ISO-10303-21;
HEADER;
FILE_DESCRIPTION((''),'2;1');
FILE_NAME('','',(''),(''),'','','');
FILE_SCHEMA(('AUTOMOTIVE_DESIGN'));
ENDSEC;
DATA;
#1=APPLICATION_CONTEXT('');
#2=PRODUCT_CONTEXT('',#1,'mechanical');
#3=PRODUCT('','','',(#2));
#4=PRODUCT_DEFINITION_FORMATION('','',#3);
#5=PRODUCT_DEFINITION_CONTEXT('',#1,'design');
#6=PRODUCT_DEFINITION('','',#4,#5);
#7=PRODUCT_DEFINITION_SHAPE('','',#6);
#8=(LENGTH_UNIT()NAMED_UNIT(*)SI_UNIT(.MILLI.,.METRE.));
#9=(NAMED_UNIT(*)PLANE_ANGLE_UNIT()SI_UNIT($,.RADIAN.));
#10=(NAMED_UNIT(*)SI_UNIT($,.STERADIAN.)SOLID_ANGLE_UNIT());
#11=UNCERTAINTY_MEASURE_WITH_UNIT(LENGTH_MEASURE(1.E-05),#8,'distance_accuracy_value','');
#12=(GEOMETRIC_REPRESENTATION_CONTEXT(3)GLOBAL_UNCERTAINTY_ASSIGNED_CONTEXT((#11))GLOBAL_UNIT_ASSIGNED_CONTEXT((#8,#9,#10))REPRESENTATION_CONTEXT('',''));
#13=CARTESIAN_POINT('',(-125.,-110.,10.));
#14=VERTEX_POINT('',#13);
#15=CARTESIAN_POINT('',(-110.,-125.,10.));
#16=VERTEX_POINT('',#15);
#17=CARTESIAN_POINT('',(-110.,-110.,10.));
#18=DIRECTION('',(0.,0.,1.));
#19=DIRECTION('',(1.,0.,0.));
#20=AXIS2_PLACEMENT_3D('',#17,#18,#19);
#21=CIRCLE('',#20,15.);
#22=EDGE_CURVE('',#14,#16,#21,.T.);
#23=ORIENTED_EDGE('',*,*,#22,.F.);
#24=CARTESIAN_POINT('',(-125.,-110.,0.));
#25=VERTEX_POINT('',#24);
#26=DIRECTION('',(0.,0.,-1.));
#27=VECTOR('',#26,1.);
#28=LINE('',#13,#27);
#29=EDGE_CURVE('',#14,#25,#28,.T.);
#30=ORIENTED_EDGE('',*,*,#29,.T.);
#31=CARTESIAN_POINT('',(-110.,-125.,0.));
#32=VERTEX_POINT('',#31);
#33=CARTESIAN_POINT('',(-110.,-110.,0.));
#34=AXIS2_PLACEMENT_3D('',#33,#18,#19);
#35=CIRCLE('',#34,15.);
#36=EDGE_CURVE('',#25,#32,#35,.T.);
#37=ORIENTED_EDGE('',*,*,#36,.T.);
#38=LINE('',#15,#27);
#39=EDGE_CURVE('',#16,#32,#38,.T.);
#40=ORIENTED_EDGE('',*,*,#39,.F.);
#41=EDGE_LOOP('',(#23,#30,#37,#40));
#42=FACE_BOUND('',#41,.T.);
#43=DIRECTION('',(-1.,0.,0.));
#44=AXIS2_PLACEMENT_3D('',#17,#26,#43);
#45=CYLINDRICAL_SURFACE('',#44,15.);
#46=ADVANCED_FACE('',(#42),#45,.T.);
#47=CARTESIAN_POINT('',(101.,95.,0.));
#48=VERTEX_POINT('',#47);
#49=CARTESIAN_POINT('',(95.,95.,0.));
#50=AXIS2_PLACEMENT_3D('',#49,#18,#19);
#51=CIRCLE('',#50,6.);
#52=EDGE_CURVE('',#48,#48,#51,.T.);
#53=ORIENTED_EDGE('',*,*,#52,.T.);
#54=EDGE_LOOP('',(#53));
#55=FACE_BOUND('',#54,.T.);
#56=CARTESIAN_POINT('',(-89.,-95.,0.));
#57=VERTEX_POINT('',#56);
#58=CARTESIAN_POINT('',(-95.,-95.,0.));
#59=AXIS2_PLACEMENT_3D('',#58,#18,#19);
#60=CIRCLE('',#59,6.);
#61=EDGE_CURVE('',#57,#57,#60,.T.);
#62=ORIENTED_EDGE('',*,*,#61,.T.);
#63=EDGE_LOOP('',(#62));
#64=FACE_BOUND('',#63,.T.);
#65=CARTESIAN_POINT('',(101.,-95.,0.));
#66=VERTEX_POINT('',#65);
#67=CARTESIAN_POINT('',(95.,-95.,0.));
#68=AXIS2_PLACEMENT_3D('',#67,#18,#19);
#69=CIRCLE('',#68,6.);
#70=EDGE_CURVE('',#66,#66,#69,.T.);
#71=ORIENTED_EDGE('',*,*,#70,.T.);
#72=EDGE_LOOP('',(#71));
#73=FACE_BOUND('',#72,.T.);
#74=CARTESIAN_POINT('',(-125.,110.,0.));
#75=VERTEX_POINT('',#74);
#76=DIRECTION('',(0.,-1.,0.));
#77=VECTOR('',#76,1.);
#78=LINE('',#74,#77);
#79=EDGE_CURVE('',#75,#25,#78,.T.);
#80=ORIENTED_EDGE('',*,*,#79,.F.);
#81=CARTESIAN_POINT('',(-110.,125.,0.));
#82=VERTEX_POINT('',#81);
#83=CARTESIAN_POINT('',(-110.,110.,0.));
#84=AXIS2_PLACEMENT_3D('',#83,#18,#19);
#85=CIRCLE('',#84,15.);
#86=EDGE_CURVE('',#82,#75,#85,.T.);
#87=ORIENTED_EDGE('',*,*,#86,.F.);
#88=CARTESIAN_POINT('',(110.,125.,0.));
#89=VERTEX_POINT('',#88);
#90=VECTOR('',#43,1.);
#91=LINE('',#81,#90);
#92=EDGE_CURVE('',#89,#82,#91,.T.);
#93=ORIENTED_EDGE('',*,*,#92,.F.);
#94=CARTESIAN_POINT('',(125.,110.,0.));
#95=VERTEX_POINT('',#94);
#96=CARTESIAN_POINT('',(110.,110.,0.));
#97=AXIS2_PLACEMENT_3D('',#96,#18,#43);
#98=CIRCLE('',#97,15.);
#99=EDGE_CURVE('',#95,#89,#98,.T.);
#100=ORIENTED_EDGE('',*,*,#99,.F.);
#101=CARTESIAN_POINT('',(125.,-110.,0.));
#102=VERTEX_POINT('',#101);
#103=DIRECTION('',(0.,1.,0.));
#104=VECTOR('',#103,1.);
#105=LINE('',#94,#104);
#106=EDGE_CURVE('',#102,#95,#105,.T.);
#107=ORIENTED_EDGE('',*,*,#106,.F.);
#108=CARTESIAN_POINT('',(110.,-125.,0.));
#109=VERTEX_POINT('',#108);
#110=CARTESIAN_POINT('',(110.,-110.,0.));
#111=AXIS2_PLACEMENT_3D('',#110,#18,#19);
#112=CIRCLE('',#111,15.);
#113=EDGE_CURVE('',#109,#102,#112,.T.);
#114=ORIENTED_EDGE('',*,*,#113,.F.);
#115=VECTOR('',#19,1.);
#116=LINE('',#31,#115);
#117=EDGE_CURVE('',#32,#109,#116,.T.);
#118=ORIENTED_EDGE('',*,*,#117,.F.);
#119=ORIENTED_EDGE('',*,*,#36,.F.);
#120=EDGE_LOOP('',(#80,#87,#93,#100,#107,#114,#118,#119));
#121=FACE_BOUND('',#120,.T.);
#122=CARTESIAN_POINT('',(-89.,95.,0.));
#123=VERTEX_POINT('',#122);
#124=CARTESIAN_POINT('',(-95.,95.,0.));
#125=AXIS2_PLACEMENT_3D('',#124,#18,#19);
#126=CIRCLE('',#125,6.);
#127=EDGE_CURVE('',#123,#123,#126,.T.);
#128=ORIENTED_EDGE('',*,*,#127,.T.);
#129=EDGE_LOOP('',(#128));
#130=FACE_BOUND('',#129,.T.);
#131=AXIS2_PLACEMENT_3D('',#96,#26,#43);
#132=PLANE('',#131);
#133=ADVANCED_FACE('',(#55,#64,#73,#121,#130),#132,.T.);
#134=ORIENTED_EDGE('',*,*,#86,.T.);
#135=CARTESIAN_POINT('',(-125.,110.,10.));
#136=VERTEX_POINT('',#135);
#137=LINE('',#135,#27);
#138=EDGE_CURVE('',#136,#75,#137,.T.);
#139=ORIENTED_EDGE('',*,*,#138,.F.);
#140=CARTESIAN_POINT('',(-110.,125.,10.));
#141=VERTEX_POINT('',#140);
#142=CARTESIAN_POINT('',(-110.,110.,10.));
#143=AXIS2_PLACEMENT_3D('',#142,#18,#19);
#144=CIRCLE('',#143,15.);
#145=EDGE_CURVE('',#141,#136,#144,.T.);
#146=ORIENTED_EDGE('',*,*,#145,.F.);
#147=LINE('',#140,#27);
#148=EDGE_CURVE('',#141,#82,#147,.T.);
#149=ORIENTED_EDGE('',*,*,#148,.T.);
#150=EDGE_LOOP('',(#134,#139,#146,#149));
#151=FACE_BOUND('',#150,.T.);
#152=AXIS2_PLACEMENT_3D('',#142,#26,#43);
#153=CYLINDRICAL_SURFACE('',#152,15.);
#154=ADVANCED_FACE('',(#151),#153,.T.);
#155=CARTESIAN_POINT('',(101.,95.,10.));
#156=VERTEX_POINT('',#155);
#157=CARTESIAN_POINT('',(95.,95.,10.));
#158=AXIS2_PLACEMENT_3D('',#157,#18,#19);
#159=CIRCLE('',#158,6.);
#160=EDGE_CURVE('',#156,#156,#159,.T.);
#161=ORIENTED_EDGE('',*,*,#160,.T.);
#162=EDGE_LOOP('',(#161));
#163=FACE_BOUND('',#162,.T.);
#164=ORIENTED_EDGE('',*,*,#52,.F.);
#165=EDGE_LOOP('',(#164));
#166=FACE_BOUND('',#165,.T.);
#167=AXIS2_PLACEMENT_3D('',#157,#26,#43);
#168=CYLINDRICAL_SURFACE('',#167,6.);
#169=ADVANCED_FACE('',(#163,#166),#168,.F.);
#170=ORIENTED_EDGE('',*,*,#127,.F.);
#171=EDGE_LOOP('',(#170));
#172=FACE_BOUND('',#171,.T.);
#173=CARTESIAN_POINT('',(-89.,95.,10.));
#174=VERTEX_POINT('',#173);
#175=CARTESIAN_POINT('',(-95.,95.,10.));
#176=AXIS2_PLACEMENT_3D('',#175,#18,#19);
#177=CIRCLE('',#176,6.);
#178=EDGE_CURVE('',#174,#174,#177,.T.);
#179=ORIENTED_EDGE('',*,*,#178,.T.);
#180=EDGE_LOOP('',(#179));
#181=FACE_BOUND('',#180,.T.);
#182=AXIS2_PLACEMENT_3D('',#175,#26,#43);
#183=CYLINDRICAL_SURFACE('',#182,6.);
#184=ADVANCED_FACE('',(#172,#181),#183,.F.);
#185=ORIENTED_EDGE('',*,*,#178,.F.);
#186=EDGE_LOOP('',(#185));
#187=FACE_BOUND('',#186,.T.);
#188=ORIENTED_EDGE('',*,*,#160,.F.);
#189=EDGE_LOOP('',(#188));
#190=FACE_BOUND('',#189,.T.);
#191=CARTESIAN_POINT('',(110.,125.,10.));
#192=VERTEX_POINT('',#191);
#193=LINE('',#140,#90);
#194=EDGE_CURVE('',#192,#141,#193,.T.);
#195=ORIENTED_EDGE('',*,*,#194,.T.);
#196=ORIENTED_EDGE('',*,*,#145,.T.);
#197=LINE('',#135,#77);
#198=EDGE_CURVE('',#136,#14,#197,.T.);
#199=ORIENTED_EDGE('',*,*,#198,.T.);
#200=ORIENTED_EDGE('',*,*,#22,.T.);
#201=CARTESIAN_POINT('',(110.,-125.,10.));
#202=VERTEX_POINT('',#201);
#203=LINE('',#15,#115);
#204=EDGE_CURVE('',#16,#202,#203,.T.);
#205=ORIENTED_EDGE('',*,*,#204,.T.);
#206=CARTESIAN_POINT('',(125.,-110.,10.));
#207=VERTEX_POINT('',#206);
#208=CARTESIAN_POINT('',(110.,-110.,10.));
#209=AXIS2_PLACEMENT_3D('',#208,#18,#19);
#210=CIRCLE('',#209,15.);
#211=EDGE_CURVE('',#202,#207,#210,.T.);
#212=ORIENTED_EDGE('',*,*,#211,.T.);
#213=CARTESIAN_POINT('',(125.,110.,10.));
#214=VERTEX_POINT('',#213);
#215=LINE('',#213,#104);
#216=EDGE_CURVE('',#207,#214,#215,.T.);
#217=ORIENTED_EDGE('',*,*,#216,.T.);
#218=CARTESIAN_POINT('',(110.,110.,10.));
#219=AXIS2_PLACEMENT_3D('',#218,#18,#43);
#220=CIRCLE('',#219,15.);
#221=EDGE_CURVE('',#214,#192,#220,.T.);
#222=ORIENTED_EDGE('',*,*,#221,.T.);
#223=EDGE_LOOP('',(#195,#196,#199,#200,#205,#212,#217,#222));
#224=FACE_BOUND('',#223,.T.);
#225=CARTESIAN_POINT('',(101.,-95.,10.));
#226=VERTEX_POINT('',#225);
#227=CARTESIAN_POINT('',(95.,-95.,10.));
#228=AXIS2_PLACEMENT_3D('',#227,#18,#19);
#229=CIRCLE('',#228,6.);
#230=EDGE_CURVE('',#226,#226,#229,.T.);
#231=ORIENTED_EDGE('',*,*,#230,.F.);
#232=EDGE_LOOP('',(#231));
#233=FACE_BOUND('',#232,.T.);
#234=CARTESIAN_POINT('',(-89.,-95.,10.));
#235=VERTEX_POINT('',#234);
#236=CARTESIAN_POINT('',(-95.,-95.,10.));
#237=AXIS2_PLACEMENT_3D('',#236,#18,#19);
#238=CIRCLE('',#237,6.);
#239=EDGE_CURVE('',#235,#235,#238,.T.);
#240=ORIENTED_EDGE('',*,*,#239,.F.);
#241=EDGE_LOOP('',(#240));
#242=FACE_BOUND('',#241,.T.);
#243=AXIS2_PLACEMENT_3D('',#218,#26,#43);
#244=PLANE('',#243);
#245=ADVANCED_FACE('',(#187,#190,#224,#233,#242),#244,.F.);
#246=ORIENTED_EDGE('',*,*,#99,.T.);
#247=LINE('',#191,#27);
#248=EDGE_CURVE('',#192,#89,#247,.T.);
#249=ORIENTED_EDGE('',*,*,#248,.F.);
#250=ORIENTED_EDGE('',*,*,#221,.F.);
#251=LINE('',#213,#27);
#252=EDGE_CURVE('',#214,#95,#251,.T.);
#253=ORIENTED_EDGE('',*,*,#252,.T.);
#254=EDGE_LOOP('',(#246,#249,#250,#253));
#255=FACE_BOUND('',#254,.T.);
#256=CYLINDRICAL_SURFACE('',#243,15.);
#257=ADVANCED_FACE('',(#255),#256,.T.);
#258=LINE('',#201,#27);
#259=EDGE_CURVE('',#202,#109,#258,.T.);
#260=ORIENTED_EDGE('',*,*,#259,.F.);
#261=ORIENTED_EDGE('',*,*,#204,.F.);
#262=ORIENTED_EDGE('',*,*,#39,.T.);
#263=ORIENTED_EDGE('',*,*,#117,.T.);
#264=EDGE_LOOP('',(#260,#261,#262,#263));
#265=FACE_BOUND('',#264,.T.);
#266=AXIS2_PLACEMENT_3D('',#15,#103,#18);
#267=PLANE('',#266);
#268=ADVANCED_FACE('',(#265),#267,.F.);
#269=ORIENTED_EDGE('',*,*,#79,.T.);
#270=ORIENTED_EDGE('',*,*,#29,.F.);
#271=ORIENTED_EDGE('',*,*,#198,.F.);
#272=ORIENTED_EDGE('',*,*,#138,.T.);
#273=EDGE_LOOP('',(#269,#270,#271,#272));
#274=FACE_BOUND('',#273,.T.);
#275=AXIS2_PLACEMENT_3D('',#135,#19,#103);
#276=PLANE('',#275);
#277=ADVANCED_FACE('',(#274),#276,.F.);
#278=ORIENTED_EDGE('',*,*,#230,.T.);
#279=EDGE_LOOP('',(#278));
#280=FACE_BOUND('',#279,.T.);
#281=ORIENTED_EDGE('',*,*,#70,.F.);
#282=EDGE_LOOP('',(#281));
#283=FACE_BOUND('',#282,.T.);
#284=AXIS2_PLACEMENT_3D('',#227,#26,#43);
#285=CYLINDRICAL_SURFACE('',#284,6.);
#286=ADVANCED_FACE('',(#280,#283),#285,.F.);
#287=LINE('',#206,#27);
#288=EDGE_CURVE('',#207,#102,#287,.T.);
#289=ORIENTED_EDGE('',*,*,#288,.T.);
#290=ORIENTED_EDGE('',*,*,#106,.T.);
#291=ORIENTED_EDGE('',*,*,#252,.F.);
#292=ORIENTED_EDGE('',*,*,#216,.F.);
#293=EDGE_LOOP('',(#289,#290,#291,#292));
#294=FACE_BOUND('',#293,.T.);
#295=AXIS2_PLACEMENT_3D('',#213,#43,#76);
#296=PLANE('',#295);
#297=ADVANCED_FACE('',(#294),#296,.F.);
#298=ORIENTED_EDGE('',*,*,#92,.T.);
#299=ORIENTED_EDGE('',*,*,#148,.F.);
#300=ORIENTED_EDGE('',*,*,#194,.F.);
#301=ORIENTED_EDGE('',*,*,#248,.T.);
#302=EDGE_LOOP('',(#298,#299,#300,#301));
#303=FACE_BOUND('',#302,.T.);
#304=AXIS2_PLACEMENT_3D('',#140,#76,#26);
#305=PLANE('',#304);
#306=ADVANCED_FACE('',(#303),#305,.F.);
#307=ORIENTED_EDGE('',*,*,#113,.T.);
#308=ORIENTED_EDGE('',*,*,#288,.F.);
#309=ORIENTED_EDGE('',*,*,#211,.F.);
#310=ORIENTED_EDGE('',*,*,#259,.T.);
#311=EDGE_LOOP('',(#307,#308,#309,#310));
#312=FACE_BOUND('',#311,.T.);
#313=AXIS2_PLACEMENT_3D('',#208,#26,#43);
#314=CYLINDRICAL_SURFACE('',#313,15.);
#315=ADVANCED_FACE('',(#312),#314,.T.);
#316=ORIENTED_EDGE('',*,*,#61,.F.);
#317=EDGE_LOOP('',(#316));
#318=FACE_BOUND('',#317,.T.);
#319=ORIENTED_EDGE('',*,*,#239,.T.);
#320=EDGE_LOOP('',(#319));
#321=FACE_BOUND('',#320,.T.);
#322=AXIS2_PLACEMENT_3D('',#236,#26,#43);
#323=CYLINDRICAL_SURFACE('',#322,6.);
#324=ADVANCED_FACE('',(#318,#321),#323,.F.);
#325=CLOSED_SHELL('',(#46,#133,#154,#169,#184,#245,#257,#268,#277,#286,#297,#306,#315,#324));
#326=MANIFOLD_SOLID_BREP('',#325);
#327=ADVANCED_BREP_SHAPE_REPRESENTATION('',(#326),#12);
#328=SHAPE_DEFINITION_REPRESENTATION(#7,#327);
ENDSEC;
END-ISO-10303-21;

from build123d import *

# Parameters (mm, degrees)
SKETCH1_R           = 6
BOSS_EXTRUDE1_DEPTH = 10


with BuildPart() as part:
    # Sketch1 → Boss-Extrude1 (new body)
    with BuildSketch(Plane.XY):
        with BuildLine():
            Line((-110, 125), (110, 125))
            ThreePointArc((110, 125), (120.606601718, 120.606601718), (125, 110))
            Line((125, 110), (125, -110))
            ThreePointArc((125, -110), (120.606601718, -120.606601718), (110, -125))
            Line((110, -125), (-110, -125))
            ThreePointArc((-110, -125), (-120.606601718, -120.606601718), (-125, -110))
            Line((-125, -110), (-125, 110))
            ThreePointArc((-125, 110), (-120.606601718, 120.606601718), (-110, 125))
        make_face()
        with Locations((-95, 95)):
            Circle(SKETCH1_R, mode=Mode.SUBTRACT)
        with Locations((-95, -95)):
            Circle(SKETCH1_R, mode=Mode.SUBTRACT)
        with Locations((95, -95)):
            Circle(SKETCH1_R, mode=Mode.SUBTRACT)
        with Locations((95, 95)):
            Circle(SKETCH1_R, mode=Mode.SUBTRACT)
    extrude(amount=BOSS_EXTRUDE1_DEPTH)


solid = part.part
